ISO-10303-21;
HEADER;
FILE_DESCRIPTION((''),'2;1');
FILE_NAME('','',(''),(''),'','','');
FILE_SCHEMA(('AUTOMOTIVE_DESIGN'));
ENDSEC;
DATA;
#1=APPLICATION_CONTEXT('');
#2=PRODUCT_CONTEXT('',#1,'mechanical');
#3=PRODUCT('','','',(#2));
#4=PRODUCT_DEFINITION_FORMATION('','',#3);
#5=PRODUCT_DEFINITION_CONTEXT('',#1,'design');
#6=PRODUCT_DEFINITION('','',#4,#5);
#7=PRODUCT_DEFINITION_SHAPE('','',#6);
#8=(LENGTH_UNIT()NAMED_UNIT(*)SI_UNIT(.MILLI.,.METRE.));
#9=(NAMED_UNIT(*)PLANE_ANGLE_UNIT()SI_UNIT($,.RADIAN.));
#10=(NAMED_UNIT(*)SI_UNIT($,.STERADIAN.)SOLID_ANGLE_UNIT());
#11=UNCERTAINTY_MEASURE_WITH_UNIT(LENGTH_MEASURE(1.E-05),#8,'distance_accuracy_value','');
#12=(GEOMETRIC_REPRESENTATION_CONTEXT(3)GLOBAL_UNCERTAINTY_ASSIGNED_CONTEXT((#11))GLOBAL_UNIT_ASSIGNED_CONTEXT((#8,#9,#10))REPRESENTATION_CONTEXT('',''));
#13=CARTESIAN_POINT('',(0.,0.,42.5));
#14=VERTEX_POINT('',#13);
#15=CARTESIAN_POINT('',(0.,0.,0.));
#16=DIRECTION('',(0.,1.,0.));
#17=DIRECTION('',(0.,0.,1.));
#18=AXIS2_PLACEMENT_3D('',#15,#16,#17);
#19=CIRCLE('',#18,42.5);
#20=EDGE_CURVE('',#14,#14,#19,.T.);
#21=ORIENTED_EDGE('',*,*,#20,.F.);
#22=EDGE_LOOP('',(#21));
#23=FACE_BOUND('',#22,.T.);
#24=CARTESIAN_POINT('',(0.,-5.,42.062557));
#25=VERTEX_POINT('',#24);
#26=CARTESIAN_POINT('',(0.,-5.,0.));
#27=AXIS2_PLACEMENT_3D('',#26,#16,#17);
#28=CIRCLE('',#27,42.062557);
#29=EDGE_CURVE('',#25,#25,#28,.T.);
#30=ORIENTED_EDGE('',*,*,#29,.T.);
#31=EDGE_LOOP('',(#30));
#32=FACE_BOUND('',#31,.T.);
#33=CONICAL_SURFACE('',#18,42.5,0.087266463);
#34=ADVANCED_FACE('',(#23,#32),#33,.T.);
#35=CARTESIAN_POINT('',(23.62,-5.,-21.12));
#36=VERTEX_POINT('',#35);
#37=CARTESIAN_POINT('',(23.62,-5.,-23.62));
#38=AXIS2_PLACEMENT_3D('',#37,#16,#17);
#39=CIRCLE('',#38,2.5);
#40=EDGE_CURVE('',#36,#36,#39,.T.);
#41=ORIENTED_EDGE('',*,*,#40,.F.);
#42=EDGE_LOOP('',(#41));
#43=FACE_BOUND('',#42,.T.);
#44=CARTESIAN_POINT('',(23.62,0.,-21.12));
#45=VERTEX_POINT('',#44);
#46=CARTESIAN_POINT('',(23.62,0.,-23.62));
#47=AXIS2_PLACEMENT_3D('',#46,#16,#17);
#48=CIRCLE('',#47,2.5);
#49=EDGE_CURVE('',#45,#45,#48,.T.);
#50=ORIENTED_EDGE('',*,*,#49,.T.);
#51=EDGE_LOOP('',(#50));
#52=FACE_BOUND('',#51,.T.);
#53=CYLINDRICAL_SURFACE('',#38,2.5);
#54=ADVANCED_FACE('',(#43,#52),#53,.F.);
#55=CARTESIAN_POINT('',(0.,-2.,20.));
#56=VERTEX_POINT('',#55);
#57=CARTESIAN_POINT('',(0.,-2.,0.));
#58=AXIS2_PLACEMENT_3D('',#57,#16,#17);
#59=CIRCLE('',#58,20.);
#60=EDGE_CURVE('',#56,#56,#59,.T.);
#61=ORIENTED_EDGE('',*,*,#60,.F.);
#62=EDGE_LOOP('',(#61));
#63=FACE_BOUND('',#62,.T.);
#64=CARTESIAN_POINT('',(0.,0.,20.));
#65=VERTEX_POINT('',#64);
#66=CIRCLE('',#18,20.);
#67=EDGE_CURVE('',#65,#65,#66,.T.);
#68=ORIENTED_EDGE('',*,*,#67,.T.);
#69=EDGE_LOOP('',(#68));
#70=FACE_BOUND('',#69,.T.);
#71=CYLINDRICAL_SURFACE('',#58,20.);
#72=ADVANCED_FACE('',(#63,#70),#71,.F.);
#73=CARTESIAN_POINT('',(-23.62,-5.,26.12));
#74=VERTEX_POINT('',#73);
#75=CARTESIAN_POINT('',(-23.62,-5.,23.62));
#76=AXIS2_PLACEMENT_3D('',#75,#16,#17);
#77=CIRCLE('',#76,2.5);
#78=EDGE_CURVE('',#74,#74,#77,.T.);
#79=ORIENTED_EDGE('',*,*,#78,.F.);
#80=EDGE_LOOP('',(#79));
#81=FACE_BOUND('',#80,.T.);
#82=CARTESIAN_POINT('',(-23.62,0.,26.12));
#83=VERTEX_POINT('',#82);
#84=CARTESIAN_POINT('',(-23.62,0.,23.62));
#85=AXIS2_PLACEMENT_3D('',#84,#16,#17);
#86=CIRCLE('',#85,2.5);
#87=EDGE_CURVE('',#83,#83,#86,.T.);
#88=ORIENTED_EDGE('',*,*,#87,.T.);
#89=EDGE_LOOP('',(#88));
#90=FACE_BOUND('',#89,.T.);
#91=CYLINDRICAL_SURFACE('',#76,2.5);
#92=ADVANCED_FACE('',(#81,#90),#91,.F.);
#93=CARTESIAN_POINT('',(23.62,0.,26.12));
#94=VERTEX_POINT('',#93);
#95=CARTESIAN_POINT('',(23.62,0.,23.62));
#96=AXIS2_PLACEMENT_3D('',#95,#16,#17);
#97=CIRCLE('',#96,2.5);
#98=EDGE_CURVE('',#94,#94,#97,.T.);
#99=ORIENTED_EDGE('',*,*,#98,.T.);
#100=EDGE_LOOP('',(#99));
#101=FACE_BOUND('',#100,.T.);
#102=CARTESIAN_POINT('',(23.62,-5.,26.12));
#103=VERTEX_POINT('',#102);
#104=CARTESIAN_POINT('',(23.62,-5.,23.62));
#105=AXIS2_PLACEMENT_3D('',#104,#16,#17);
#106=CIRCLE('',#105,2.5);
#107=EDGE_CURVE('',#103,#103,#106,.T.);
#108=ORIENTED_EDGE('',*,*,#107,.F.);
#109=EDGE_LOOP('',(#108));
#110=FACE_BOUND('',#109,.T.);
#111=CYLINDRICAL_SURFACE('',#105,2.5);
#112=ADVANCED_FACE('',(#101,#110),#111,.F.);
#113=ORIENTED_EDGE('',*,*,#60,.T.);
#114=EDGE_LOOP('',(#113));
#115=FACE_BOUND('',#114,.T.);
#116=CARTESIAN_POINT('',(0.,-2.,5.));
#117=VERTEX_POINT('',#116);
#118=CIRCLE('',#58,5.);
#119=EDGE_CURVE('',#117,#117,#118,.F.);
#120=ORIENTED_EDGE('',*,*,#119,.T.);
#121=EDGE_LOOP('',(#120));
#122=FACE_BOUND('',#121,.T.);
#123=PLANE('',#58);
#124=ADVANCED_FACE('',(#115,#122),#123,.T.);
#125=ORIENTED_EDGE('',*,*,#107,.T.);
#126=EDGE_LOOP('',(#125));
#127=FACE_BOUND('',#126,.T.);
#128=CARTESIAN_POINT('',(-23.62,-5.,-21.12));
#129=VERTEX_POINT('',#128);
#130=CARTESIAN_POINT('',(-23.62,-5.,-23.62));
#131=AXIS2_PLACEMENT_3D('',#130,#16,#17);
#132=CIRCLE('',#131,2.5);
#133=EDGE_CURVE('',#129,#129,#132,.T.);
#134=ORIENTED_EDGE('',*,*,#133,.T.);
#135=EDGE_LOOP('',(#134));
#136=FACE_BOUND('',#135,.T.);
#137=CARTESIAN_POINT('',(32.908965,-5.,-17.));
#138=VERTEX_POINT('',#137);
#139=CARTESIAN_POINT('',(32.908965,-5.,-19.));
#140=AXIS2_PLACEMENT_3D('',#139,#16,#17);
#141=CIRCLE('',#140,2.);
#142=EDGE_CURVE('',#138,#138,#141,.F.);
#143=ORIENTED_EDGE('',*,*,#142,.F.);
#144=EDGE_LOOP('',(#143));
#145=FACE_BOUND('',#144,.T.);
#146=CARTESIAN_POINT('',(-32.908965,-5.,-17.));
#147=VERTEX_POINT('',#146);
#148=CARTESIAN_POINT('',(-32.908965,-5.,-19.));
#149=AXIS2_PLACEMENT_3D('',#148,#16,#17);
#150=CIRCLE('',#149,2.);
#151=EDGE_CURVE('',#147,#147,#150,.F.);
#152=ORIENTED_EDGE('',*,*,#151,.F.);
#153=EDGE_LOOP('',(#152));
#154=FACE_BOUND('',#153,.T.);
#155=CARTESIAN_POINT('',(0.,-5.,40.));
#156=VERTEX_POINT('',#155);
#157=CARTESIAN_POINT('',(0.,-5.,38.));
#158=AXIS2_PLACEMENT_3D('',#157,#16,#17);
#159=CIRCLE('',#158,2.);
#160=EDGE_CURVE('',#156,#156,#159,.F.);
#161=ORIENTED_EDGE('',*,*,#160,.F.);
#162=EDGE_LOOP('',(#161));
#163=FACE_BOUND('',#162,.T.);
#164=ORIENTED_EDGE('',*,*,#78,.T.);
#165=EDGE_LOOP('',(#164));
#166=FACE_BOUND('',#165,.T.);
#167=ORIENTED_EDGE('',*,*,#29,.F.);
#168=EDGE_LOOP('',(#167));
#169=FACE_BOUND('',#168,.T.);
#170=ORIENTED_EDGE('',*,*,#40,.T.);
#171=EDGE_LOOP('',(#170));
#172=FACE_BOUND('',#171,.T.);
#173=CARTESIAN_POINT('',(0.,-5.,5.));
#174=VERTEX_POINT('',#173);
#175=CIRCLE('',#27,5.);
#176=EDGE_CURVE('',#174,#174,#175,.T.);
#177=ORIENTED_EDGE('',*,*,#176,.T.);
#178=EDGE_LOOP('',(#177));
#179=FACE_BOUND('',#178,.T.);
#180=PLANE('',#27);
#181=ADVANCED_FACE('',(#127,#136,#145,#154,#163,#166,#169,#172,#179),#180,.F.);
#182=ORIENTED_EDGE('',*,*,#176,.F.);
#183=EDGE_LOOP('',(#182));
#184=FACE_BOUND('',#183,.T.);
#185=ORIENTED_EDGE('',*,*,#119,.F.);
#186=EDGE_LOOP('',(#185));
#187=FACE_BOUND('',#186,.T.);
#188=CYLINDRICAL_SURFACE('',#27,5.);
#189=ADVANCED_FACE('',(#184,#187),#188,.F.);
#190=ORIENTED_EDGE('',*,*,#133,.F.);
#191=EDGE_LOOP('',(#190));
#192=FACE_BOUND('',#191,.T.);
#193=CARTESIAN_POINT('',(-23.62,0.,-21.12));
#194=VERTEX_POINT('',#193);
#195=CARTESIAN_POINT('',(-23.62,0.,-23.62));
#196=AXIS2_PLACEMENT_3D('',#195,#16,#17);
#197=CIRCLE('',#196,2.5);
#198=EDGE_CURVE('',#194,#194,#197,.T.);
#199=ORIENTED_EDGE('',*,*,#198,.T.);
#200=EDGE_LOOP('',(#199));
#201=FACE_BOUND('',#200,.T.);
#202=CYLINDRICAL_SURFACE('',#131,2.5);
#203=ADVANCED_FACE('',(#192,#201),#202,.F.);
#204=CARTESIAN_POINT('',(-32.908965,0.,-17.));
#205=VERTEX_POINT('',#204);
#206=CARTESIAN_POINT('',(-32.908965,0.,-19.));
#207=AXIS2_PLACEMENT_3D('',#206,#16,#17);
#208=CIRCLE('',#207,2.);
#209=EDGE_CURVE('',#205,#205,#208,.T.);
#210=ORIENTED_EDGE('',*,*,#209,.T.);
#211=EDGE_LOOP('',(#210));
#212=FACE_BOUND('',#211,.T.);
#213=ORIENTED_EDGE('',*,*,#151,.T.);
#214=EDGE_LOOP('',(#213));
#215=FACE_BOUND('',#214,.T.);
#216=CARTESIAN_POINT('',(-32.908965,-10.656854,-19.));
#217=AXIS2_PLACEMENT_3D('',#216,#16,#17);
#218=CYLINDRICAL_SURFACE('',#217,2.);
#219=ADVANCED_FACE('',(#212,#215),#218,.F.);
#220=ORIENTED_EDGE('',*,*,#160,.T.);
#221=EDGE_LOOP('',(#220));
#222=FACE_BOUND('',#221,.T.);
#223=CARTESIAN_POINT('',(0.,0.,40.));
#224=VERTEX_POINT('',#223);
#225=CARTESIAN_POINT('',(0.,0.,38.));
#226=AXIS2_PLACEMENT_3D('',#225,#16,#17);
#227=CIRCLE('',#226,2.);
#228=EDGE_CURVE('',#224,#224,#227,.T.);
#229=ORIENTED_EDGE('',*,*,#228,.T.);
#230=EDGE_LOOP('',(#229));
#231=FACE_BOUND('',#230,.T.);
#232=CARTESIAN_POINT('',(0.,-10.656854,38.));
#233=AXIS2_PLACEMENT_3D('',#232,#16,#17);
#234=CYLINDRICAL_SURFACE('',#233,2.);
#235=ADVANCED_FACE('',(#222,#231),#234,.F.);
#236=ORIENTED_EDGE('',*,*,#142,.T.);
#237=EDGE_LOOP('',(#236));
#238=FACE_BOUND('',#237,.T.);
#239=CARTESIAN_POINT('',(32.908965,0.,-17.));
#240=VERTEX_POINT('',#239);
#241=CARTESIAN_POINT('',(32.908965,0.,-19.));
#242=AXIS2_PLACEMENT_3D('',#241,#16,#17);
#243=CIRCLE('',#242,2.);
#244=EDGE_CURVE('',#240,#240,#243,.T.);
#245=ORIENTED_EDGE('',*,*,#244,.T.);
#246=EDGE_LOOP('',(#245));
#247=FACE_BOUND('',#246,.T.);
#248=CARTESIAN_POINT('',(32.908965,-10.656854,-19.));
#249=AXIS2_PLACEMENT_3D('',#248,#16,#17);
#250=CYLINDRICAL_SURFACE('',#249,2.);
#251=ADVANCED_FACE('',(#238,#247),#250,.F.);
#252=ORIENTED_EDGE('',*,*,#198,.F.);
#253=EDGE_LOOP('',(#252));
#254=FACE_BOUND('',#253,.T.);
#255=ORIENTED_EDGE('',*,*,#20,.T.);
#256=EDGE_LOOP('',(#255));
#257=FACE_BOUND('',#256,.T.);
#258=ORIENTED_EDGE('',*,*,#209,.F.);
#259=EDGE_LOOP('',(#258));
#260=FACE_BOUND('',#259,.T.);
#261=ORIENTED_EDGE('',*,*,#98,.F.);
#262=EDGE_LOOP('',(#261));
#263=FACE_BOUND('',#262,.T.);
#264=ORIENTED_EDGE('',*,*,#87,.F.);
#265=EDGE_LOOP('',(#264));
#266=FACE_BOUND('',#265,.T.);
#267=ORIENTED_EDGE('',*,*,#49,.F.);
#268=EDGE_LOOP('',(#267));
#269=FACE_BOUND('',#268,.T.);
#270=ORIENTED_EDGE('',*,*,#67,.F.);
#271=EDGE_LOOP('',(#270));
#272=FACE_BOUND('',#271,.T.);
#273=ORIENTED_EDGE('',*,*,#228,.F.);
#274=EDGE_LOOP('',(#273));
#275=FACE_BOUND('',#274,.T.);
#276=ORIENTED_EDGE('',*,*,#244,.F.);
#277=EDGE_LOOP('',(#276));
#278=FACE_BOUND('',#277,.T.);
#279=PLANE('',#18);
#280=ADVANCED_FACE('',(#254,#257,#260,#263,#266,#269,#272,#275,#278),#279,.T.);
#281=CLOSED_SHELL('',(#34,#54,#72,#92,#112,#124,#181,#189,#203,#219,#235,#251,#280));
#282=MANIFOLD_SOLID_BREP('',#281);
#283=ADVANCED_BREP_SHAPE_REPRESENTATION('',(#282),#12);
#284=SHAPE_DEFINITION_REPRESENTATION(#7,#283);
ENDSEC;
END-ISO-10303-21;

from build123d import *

# Parameters (mm, degrees)
SKETCH1_R           = 42.5
BOSS_EXTRUDE1_DEPTH = 5
BOSS_EXTRUDE1_DRAFT = -5
SKETCH2_R           = 2.5
SKETCH2_R_2         = 5
CUT_EXTRUDE2_DEPTH  = 61.311690409
SKETCH3_R           = 20
CUT_EXTRUDE3_DEPTH  = 2
SKETCH5_R           = 2
CUT_EXTRUDE4_DEPTH  = 5


with BuildPart() as part:
    # Sketch1 → Boss-Extrude1 (with draft: the straight prism first)
    with BuildSketch(Plane(origin=(0, 0, 0), x_dir=(1, 0, 0), z_dir=(0, 1, 0))):
        Circle(SKETCH1_R)
    extrude(amount=-BOSS_EXTRUDE1_DEPTH)
    # Boss-Extrude1: the draft: its side faces are tilted about the plane it starts from
    boss_extrude1_sides = [part.faces().sort_by_distance(p)[0] for p in [
        (-42.5, -2.5, 0),
    ]]
    draft(boss_extrude1_sides, Plane(origin=(0, 0, 0), x_dir=(1, 0, 0), z_dir=(0, 1, 0)), BOSS_EXTRUDE1_DRAFT)

    # Sketch2 → Cut-Extrude2 (cut, through all)
    with BuildSketch(Plane(origin=(0, 0, 0), x_dir=(1, 0, 0), z_dir=(0, 1, 0))):
        with Locations(Location((23.62, 23.62, 0), (0, 0, 270))):
            Circle(SKETCH2_R)
        with Locations(Location((23.62, -23.62, 0), (0, 0, 270))):
            Circle(SKETCH2_R)
        with Locations(Location((-23.62, -23.62, 0), (0, 0, 270))):
            Circle(SKETCH2_R)
        with Locations(Location((-23.62, 23.62, 0), (0, 0, 270))):
            Circle(SKETCH2_R)
        with Locations(Location((0, 0, 0), (0, 0, 270))):
            Circle(SKETCH2_R_2)
    extrude(amount=-CUT_EXTRUDE2_DEPTH, mode=Mode.SUBTRACT)

    # Sketch3 → Cut-Extrude3 (cut)
    with BuildSketch(Plane(origin=(0, 0, 0), x_dir=(1, 0, 0), z_dir=(0, 1, 0))):
        with Locations(Location((0, 0, 0), (0, 0, 270))):
            Circle(SKETCH3_R)
    extrude(amount=-CUT_EXTRUDE3_DEPTH, mode=Mode.SUBTRACT)

    # Sketch5 → Cut-Extrude4 (cut)
    with BuildSketch(Plane(origin=(0, 0, 0), x_dir=(1, 0, 0), z_dir=(0, 1, 0))):
        with Locations(Location((0, -38, 0), (0, 0, 270))):
            Circle(SKETCH5_R)
        with Locations(Location((-32.908965344, 19, 0), (0, 0, 270))):
            Circle(SKETCH5_R)
        with Locations(Location((32.908965344, 19, 0), (0, 0, 270))):
            Circle(SKETCH5_R)
    extrude(amount=-CUT_EXTRUDE4_DEPTH, mode=Mode.SUBTRACT)


solid = part.part
